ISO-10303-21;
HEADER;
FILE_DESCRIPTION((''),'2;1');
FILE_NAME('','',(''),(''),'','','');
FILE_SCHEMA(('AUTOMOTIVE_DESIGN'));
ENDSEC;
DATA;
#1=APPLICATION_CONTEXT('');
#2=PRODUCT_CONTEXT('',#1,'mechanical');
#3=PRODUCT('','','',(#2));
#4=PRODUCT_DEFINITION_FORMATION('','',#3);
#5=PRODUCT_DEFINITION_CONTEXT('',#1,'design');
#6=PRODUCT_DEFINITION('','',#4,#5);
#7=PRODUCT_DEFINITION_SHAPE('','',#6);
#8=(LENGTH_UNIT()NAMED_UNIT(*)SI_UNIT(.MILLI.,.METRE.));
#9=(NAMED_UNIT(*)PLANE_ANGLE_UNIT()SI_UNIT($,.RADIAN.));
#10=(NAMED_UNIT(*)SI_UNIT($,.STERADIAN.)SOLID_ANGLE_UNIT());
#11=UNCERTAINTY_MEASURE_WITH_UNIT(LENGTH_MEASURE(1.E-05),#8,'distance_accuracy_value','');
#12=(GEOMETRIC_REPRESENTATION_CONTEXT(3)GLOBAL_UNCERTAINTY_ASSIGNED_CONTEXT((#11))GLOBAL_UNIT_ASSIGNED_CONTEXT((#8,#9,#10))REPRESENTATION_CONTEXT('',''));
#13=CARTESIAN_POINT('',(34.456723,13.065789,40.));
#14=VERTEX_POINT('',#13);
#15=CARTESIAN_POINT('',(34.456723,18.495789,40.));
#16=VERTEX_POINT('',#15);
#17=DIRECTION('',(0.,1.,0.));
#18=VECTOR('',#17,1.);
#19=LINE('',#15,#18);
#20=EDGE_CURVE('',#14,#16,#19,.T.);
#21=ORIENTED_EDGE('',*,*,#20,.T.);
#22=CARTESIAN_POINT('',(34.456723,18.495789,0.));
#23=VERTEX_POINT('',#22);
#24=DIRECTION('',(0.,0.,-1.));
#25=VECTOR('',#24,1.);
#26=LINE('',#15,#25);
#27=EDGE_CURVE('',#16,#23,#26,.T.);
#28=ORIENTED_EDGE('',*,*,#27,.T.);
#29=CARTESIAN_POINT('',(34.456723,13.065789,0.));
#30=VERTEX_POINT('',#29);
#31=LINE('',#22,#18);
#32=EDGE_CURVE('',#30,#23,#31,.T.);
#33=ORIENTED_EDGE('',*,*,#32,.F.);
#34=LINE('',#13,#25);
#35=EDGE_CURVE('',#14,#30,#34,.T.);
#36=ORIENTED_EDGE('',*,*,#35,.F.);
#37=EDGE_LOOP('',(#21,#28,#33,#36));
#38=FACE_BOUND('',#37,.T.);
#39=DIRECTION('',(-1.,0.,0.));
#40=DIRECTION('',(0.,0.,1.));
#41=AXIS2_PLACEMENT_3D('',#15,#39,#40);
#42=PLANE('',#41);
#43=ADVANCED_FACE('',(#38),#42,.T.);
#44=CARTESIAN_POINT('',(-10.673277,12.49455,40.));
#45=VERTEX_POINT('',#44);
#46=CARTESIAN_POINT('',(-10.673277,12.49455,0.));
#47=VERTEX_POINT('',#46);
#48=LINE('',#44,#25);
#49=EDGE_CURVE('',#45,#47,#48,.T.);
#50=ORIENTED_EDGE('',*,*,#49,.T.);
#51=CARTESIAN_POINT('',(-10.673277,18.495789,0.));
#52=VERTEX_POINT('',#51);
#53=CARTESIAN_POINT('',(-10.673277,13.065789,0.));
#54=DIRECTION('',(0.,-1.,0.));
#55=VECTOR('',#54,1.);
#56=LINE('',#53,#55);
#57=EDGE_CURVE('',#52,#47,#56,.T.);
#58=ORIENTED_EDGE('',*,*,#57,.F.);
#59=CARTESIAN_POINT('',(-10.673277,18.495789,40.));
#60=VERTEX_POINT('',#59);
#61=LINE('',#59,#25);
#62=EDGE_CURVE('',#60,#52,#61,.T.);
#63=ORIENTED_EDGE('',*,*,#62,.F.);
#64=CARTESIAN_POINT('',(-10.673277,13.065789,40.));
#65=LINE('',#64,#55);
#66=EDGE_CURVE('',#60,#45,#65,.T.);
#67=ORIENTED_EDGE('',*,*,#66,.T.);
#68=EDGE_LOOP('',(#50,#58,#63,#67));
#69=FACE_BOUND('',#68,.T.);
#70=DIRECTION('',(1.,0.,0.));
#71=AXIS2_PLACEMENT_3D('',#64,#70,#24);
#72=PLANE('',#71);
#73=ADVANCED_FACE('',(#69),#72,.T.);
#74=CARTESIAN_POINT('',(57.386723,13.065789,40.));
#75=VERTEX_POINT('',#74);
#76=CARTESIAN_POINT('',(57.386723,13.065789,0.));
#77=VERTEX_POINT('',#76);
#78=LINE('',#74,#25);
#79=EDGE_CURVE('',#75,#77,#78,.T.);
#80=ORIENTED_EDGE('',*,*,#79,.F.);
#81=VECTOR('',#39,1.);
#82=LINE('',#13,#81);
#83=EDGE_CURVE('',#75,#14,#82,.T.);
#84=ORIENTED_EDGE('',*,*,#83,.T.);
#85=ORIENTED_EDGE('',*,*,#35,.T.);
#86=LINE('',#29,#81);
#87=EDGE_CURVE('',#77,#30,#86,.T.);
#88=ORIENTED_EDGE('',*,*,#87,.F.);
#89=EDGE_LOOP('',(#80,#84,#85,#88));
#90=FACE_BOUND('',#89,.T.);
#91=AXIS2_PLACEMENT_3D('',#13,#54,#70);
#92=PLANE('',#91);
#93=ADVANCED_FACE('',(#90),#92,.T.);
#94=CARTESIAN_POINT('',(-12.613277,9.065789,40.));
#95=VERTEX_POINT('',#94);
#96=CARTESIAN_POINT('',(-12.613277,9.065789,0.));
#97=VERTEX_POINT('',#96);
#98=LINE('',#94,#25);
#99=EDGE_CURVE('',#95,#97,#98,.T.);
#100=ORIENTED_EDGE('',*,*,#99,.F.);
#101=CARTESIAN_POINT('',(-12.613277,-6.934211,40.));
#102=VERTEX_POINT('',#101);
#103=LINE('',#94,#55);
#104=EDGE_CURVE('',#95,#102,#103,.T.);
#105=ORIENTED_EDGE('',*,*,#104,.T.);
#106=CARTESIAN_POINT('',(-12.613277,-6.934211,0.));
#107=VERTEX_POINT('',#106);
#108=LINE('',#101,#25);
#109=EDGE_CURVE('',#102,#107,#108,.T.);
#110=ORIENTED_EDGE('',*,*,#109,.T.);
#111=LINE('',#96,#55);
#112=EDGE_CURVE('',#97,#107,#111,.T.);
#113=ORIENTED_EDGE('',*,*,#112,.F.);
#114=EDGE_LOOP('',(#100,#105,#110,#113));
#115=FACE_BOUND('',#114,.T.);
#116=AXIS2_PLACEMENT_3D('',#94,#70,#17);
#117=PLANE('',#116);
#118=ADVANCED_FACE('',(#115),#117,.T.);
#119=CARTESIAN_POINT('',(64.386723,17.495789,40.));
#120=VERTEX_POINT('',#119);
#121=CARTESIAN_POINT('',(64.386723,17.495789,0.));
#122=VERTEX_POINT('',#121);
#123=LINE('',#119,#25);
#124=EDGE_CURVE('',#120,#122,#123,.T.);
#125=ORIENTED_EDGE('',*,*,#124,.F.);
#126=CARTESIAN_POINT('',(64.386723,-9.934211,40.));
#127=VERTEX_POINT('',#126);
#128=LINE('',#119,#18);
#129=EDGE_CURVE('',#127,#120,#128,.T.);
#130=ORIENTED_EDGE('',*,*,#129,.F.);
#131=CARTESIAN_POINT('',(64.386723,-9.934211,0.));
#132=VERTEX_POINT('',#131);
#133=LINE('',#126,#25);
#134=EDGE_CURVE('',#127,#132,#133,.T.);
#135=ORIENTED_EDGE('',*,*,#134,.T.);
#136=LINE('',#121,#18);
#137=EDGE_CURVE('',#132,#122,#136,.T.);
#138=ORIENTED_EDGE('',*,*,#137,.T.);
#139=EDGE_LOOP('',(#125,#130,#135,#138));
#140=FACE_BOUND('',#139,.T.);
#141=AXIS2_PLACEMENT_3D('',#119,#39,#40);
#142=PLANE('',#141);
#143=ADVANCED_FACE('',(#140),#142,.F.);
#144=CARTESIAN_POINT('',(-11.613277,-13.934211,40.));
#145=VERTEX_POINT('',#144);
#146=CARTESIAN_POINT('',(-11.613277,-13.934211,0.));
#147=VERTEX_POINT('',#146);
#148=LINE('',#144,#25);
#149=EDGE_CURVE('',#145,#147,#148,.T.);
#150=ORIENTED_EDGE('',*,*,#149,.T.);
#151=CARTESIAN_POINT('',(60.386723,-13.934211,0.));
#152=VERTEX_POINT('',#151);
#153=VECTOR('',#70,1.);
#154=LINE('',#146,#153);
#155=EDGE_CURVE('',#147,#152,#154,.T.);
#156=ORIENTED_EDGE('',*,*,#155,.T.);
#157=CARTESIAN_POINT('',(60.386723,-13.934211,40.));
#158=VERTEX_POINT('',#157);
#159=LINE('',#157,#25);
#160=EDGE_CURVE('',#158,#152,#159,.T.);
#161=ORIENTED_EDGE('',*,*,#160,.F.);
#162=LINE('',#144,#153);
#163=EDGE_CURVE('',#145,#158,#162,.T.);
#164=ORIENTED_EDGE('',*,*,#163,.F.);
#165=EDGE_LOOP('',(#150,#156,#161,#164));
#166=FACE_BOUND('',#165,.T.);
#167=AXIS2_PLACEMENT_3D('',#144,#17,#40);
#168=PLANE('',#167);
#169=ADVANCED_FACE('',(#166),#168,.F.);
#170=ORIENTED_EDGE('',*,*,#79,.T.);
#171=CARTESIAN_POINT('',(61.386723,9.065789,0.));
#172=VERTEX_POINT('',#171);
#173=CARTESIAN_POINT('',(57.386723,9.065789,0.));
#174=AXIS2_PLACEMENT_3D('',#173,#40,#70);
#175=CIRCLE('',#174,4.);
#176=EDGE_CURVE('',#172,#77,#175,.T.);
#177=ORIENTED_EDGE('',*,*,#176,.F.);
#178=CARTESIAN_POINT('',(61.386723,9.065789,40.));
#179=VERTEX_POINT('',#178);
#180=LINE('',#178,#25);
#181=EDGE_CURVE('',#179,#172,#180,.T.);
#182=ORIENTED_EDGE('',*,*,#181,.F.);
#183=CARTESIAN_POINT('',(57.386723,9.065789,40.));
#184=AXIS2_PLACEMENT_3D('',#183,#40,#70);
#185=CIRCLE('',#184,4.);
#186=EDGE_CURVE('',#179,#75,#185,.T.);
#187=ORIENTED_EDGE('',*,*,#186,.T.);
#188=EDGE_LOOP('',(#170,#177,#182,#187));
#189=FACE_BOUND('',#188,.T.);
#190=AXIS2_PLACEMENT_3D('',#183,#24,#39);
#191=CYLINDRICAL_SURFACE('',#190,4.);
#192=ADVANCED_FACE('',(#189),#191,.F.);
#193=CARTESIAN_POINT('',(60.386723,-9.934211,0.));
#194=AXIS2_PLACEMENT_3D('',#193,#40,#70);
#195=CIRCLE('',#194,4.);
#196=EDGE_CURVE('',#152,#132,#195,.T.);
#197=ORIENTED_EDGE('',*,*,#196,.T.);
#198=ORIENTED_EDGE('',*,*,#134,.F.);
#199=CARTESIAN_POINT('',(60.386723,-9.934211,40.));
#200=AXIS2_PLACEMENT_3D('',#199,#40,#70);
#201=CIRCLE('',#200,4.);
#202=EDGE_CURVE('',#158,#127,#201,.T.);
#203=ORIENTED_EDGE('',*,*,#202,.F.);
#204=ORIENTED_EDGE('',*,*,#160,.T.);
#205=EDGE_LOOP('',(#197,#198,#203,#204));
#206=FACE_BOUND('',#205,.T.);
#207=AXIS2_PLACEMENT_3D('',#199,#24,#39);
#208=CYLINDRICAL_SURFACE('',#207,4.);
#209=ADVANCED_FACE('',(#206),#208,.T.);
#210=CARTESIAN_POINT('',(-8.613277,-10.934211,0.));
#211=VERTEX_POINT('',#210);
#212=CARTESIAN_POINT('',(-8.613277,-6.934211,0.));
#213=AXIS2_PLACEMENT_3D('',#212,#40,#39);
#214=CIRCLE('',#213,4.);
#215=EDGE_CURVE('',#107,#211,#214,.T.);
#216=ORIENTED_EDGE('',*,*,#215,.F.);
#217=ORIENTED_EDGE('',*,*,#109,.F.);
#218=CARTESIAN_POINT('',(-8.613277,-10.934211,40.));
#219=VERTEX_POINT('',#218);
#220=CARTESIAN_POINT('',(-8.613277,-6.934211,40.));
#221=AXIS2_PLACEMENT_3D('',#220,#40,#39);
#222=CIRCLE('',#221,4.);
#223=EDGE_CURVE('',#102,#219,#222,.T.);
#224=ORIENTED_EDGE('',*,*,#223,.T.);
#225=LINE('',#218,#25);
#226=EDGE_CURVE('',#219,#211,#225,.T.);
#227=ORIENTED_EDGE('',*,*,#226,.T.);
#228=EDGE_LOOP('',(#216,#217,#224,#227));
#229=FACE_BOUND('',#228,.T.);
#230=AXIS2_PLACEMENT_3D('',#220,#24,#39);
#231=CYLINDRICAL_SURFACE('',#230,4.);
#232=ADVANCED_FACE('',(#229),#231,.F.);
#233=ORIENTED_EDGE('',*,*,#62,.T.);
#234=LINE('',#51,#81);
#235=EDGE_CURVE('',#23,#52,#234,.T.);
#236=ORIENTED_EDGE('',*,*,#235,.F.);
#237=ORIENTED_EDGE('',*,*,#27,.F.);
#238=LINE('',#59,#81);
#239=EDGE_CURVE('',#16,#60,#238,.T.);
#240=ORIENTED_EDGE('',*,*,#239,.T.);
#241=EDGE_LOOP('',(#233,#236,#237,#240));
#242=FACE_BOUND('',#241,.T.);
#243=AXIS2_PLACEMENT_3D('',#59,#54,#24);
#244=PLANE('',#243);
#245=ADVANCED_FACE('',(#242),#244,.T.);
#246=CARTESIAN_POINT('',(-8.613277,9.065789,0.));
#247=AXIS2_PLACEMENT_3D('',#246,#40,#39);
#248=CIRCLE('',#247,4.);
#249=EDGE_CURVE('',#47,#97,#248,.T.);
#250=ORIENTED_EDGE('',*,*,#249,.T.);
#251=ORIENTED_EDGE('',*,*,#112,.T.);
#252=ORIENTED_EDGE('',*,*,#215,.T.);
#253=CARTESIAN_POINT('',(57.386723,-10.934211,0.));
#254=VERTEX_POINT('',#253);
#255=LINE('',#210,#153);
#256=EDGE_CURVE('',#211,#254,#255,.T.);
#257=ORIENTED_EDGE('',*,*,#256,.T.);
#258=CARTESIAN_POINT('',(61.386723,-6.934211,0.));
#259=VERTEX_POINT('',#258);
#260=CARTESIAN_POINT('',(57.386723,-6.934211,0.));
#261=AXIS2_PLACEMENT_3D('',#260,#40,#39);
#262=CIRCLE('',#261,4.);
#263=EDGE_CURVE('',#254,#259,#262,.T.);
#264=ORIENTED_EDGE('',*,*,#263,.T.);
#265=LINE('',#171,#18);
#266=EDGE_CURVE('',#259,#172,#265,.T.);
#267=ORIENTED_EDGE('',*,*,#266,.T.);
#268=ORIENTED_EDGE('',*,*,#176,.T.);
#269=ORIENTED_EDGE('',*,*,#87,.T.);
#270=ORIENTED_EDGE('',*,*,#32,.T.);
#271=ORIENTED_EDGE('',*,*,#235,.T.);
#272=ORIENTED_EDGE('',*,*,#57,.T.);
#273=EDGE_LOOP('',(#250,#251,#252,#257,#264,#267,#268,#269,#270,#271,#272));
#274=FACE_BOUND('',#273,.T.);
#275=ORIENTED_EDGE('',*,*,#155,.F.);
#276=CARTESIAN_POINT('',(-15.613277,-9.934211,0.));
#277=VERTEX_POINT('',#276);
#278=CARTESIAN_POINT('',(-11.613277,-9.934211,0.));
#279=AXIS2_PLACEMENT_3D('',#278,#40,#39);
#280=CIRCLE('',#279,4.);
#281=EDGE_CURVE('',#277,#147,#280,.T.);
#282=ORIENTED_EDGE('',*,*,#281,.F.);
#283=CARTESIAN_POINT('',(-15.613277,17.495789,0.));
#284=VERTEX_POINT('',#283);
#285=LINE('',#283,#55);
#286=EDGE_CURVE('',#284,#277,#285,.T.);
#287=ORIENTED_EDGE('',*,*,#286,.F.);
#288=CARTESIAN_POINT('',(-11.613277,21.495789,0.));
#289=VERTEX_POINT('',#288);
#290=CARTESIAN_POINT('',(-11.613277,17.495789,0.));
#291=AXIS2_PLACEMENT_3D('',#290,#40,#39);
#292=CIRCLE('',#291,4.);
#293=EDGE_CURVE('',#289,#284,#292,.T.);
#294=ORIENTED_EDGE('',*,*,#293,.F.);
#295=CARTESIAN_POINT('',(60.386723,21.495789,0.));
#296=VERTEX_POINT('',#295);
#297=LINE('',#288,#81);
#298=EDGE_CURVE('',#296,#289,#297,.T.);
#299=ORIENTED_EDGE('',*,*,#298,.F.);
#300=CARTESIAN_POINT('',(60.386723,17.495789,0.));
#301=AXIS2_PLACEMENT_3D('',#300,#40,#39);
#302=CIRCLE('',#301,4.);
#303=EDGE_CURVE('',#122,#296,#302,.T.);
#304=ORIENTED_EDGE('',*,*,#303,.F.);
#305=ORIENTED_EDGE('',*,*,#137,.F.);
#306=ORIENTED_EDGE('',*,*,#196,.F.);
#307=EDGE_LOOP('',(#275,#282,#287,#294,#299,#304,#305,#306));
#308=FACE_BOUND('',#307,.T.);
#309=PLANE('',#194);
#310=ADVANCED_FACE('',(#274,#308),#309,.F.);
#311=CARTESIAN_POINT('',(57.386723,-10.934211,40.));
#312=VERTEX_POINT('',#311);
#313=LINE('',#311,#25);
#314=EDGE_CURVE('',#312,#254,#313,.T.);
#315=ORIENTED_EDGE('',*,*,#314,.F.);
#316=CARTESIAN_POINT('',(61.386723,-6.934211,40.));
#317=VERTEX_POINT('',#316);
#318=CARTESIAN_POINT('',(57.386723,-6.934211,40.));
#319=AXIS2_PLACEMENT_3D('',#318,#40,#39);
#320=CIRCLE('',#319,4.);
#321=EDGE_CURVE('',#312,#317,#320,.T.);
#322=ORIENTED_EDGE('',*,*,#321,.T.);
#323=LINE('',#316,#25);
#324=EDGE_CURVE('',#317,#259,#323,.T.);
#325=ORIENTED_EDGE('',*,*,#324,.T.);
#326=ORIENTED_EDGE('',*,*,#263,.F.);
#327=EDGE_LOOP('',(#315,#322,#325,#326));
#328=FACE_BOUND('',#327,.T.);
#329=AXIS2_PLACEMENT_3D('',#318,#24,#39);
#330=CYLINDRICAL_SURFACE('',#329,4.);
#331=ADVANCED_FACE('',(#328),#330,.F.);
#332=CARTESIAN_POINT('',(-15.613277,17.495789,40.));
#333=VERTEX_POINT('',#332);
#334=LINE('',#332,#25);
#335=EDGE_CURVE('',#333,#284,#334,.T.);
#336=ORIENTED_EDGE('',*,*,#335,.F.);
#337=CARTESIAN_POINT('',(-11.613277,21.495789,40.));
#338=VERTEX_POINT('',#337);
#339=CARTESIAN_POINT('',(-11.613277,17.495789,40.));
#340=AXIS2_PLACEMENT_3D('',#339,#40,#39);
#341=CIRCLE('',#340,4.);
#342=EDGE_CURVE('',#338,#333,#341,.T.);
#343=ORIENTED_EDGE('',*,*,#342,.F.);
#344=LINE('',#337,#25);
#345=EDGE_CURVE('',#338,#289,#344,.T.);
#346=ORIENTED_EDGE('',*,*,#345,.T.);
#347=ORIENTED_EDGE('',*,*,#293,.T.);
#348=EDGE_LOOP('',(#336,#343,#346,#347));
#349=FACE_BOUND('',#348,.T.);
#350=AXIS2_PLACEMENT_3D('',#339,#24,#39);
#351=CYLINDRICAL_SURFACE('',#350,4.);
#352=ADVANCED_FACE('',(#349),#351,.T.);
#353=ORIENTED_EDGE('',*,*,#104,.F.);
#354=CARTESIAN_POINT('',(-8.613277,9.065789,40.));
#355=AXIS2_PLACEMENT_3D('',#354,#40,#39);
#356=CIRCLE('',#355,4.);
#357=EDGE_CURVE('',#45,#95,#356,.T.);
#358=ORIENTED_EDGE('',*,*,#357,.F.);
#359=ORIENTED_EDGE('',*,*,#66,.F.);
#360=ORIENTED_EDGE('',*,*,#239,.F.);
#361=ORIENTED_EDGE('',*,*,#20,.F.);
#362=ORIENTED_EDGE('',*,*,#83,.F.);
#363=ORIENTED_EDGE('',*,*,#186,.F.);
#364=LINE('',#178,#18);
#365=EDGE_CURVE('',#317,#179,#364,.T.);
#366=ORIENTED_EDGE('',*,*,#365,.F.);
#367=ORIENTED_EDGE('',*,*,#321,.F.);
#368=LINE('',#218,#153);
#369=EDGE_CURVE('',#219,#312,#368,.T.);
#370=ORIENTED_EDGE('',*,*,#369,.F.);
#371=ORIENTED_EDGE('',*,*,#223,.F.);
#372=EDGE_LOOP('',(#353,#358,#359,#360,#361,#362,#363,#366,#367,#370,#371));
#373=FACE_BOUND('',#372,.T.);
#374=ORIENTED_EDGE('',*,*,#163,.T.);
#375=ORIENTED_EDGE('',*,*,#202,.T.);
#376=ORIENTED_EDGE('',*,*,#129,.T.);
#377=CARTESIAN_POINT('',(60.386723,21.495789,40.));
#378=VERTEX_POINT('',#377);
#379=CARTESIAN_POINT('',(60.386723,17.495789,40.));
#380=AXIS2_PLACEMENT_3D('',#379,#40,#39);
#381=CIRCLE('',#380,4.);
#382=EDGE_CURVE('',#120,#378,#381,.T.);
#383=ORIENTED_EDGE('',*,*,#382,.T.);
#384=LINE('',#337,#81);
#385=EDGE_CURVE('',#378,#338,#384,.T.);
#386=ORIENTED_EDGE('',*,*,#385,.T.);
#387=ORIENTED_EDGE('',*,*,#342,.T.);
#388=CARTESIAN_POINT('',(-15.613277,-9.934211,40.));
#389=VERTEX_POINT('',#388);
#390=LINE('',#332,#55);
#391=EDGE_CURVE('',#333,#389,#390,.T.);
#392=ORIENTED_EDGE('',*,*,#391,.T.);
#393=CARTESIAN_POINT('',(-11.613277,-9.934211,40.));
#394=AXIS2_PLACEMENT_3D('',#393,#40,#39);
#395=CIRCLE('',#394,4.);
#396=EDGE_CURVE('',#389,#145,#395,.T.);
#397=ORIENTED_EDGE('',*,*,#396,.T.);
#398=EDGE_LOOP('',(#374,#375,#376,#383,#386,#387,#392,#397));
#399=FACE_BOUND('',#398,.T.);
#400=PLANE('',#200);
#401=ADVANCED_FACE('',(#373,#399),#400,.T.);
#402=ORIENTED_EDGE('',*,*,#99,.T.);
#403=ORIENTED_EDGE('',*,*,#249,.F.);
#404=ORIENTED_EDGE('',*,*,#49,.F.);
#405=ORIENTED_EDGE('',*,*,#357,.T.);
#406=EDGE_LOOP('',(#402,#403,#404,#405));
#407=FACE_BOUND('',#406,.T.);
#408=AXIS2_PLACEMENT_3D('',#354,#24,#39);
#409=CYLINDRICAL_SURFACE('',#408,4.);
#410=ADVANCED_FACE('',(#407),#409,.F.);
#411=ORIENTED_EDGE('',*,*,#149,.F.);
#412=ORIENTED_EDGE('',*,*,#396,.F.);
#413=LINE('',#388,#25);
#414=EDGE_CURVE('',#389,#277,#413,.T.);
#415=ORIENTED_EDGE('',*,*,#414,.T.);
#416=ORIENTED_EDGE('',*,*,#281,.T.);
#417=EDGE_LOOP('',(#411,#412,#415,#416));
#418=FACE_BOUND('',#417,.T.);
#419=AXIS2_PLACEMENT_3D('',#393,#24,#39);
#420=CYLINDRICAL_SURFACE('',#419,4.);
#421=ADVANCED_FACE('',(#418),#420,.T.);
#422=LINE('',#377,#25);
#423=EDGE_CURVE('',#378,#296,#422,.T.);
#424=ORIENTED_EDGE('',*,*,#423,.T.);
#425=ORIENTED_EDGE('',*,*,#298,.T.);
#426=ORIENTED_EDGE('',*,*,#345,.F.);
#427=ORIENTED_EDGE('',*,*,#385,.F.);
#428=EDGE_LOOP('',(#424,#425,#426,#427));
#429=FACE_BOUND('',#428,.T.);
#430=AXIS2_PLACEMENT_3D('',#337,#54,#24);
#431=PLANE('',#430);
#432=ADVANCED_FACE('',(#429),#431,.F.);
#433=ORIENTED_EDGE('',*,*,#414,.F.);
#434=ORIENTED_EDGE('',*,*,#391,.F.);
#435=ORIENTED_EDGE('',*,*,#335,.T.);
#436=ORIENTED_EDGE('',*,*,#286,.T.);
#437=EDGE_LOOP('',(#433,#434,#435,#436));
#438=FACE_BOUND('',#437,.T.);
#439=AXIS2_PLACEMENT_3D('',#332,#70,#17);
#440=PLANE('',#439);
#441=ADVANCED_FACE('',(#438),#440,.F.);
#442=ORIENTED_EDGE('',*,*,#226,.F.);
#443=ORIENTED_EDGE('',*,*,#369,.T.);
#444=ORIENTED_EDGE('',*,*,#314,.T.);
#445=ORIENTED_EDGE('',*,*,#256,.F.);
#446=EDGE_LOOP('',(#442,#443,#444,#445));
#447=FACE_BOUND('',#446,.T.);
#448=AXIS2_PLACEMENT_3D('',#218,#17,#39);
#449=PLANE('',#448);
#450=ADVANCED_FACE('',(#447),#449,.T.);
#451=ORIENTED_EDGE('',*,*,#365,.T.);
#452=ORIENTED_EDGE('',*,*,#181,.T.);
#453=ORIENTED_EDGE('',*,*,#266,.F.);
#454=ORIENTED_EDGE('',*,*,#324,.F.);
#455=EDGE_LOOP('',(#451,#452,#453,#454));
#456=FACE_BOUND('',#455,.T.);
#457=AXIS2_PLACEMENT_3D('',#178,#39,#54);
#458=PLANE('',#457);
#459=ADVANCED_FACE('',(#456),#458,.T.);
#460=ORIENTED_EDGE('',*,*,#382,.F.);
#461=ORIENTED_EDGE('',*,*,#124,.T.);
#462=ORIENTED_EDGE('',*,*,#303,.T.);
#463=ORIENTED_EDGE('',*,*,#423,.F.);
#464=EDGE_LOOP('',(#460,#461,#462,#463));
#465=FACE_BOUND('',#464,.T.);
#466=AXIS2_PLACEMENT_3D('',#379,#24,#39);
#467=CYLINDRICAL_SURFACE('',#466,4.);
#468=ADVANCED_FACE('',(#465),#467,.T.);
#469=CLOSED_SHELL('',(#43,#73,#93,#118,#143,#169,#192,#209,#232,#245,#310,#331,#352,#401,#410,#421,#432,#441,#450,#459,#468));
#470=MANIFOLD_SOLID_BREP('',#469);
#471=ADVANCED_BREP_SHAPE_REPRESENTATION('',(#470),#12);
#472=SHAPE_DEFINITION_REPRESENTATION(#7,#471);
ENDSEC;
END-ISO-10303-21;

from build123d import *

# Parameters (mm, degrees)
BOSS_EXTRUDE1_DEPTH = 40


with BuildPart() as part:
    # Sketch1 → Boss-Extrude1 (new body)
    with BuildSketch(Plane.XY):
        with BuildLine():
            Line((-11.613277084, 21.495789474), (60.386722916, 21.495789474))
            ThreePointArc((60.386722916, 21.495789474), (63.21515004, 20.324216598), (64.386722916, 17.495789474))
            Line((64.386722916, 17.495789474), (64.386722916, -9.934210526))
            ThreePointArc((64.386722916, -9.934210526), (63.21515004, -12.762637651), (60.386722916, -13.934210526))
            Line((60.386722916, -13.934210526), (-11.613277084, -13.934210526))
            ThreePointArc((-11.613277084, -13.934210526), (-14.441704209, -12.762637651), (-15.613277084, -9.934210526))
            Line((-15.613277084, -9.934210526), (-15.613277084, 17.495789474))
            ThreePointArc((-15.613277084, 17.495789474), (-14.441704209, 20.324216598), (-11.613277084, 21.495789474))
        make_face()
        with BuildLine():
            Line((-10.673277084, 18.495789474), (34.456722916, 18.495789474))
            Line((34.456722916, 18.495789474), (34.456722916, 13.065789474))
            Line((34.456722916, 13.065789474), (57.386722916, 13.065789474))
            ThreePointArc((57.386722916, 13.065789474), (60.21515004, 11.894216598), (61.386722916, 9.065789474))
            Line((61.386722916, 9.065789474), (61.386722916, -6.934210526))
            ThreePointArc((61.386722916, -6.934210526), (60.21515004, -9.762637651), (57.386722916, -10.934210526))
            Line((57.386722916, -10.934210526), (-8.613277084, -10.934210526))
            ThreePointArc((-8.613277084, -10.934210526), (-11.441704209, -9.762637651), (-12.613277084, -6.934210526))
            Line((-12.613277084, -6.934210526), (-12.613277084, 9.065789474))
            ThreePointArc((-12.613277084, 9.065789474), (-12.094656121, 11.035561034), (-10.673277084, 12.494550183))
            Line((-10.673277084, 12.494550183), (-10.673277084, 13.065789474))
            Line((-10.673277084, 13.065789474), (-10.673277084, 18.495789474))
        make_face(mode=Mode.SUBTRACT)
    extrude(amount=BOSS_EXTRUDE1_DEPTH)


solid = part.part
